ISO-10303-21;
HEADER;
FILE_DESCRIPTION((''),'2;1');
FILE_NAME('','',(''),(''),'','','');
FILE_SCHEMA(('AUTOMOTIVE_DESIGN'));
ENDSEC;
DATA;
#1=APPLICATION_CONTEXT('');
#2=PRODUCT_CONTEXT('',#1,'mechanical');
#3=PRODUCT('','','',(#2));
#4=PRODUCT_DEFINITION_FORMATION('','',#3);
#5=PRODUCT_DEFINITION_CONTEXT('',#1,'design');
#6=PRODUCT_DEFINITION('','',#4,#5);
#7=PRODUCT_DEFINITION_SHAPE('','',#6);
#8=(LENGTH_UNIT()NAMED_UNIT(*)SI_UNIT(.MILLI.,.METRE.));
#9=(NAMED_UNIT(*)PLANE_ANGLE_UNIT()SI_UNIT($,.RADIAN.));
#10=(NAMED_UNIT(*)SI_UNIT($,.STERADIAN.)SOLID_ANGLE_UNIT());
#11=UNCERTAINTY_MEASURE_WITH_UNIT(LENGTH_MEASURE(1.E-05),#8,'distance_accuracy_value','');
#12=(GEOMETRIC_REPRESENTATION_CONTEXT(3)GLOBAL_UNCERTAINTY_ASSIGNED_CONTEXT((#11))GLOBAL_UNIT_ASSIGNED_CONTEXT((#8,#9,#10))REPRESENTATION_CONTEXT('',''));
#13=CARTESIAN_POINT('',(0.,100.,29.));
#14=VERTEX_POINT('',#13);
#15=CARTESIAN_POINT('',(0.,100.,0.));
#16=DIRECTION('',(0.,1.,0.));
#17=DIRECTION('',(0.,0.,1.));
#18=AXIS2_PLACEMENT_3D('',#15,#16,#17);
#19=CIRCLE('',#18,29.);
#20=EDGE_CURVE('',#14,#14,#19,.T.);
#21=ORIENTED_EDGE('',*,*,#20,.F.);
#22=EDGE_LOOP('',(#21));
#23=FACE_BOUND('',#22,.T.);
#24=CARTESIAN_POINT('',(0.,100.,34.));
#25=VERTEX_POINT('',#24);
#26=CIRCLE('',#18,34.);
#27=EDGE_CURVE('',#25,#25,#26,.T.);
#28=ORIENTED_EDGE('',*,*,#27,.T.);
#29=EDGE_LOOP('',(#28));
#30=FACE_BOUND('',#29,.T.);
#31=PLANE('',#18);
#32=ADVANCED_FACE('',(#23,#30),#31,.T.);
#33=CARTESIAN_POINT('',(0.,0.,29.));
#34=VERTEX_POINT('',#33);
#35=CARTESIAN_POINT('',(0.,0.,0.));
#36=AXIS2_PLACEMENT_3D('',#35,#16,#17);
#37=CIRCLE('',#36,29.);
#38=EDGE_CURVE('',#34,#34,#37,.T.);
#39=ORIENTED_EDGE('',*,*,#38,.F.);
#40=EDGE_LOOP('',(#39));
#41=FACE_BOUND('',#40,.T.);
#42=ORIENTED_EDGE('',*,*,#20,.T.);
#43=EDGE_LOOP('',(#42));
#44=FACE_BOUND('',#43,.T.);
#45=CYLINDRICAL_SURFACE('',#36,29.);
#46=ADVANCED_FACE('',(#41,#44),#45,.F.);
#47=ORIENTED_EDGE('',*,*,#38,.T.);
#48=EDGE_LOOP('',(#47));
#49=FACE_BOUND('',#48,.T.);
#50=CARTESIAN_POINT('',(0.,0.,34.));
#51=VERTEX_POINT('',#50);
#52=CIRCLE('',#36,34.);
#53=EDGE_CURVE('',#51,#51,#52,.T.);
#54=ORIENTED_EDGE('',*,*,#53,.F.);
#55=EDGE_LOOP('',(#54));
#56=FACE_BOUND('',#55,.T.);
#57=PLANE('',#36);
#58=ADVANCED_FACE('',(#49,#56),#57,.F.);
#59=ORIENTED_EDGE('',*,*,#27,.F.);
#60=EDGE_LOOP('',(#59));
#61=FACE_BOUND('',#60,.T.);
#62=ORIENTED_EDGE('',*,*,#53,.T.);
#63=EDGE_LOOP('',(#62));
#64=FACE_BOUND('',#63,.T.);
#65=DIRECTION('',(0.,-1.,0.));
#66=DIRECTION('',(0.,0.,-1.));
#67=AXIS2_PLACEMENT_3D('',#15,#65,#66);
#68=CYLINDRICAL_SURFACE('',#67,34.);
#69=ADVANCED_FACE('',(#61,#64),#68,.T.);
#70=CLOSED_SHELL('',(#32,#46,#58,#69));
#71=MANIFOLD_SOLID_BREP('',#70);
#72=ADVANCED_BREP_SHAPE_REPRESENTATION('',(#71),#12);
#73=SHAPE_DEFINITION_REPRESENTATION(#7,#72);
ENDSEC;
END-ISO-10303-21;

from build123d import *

# Parameters (mm, degrees)
SKETCH1_R           = 34
BOSS_EXTRUDE1_DEPTH = 100
SKETCH2_R           = 29
CUT_EXTRUDE1_DEPTH  = 100


with BuildPart() as part:
    # Sketch1 → Boss-Extrude1 (new body)
    with BuildSketch(Plane(origin=(0, 0, 0), x_dir=(1, 0, 0), z_dir=(0, 1, 0))):
        with Locations(Location((0, 0, 0), (0, 0, 270))):
            Circle(SKETCH1_R)
    extrude(amount=BOSS_EXTRUDE1_DEPTH)

    # Sketch2 → Cut-Extrude1 (cut)
    with BuildSketch(Plane(origin=(0, 100, 0), x_dir=(1, 0, 0), z_dir=(0, 1, 0))):
        with Locations(Location((0, 0, 0), (0, 0, 270))):
            Circle(SKETCH2_R)
    extrude(amount=-CUT_EXTRUDE1_DEPTH, mode=Mode.SUBTRACT)


solid = part.part
